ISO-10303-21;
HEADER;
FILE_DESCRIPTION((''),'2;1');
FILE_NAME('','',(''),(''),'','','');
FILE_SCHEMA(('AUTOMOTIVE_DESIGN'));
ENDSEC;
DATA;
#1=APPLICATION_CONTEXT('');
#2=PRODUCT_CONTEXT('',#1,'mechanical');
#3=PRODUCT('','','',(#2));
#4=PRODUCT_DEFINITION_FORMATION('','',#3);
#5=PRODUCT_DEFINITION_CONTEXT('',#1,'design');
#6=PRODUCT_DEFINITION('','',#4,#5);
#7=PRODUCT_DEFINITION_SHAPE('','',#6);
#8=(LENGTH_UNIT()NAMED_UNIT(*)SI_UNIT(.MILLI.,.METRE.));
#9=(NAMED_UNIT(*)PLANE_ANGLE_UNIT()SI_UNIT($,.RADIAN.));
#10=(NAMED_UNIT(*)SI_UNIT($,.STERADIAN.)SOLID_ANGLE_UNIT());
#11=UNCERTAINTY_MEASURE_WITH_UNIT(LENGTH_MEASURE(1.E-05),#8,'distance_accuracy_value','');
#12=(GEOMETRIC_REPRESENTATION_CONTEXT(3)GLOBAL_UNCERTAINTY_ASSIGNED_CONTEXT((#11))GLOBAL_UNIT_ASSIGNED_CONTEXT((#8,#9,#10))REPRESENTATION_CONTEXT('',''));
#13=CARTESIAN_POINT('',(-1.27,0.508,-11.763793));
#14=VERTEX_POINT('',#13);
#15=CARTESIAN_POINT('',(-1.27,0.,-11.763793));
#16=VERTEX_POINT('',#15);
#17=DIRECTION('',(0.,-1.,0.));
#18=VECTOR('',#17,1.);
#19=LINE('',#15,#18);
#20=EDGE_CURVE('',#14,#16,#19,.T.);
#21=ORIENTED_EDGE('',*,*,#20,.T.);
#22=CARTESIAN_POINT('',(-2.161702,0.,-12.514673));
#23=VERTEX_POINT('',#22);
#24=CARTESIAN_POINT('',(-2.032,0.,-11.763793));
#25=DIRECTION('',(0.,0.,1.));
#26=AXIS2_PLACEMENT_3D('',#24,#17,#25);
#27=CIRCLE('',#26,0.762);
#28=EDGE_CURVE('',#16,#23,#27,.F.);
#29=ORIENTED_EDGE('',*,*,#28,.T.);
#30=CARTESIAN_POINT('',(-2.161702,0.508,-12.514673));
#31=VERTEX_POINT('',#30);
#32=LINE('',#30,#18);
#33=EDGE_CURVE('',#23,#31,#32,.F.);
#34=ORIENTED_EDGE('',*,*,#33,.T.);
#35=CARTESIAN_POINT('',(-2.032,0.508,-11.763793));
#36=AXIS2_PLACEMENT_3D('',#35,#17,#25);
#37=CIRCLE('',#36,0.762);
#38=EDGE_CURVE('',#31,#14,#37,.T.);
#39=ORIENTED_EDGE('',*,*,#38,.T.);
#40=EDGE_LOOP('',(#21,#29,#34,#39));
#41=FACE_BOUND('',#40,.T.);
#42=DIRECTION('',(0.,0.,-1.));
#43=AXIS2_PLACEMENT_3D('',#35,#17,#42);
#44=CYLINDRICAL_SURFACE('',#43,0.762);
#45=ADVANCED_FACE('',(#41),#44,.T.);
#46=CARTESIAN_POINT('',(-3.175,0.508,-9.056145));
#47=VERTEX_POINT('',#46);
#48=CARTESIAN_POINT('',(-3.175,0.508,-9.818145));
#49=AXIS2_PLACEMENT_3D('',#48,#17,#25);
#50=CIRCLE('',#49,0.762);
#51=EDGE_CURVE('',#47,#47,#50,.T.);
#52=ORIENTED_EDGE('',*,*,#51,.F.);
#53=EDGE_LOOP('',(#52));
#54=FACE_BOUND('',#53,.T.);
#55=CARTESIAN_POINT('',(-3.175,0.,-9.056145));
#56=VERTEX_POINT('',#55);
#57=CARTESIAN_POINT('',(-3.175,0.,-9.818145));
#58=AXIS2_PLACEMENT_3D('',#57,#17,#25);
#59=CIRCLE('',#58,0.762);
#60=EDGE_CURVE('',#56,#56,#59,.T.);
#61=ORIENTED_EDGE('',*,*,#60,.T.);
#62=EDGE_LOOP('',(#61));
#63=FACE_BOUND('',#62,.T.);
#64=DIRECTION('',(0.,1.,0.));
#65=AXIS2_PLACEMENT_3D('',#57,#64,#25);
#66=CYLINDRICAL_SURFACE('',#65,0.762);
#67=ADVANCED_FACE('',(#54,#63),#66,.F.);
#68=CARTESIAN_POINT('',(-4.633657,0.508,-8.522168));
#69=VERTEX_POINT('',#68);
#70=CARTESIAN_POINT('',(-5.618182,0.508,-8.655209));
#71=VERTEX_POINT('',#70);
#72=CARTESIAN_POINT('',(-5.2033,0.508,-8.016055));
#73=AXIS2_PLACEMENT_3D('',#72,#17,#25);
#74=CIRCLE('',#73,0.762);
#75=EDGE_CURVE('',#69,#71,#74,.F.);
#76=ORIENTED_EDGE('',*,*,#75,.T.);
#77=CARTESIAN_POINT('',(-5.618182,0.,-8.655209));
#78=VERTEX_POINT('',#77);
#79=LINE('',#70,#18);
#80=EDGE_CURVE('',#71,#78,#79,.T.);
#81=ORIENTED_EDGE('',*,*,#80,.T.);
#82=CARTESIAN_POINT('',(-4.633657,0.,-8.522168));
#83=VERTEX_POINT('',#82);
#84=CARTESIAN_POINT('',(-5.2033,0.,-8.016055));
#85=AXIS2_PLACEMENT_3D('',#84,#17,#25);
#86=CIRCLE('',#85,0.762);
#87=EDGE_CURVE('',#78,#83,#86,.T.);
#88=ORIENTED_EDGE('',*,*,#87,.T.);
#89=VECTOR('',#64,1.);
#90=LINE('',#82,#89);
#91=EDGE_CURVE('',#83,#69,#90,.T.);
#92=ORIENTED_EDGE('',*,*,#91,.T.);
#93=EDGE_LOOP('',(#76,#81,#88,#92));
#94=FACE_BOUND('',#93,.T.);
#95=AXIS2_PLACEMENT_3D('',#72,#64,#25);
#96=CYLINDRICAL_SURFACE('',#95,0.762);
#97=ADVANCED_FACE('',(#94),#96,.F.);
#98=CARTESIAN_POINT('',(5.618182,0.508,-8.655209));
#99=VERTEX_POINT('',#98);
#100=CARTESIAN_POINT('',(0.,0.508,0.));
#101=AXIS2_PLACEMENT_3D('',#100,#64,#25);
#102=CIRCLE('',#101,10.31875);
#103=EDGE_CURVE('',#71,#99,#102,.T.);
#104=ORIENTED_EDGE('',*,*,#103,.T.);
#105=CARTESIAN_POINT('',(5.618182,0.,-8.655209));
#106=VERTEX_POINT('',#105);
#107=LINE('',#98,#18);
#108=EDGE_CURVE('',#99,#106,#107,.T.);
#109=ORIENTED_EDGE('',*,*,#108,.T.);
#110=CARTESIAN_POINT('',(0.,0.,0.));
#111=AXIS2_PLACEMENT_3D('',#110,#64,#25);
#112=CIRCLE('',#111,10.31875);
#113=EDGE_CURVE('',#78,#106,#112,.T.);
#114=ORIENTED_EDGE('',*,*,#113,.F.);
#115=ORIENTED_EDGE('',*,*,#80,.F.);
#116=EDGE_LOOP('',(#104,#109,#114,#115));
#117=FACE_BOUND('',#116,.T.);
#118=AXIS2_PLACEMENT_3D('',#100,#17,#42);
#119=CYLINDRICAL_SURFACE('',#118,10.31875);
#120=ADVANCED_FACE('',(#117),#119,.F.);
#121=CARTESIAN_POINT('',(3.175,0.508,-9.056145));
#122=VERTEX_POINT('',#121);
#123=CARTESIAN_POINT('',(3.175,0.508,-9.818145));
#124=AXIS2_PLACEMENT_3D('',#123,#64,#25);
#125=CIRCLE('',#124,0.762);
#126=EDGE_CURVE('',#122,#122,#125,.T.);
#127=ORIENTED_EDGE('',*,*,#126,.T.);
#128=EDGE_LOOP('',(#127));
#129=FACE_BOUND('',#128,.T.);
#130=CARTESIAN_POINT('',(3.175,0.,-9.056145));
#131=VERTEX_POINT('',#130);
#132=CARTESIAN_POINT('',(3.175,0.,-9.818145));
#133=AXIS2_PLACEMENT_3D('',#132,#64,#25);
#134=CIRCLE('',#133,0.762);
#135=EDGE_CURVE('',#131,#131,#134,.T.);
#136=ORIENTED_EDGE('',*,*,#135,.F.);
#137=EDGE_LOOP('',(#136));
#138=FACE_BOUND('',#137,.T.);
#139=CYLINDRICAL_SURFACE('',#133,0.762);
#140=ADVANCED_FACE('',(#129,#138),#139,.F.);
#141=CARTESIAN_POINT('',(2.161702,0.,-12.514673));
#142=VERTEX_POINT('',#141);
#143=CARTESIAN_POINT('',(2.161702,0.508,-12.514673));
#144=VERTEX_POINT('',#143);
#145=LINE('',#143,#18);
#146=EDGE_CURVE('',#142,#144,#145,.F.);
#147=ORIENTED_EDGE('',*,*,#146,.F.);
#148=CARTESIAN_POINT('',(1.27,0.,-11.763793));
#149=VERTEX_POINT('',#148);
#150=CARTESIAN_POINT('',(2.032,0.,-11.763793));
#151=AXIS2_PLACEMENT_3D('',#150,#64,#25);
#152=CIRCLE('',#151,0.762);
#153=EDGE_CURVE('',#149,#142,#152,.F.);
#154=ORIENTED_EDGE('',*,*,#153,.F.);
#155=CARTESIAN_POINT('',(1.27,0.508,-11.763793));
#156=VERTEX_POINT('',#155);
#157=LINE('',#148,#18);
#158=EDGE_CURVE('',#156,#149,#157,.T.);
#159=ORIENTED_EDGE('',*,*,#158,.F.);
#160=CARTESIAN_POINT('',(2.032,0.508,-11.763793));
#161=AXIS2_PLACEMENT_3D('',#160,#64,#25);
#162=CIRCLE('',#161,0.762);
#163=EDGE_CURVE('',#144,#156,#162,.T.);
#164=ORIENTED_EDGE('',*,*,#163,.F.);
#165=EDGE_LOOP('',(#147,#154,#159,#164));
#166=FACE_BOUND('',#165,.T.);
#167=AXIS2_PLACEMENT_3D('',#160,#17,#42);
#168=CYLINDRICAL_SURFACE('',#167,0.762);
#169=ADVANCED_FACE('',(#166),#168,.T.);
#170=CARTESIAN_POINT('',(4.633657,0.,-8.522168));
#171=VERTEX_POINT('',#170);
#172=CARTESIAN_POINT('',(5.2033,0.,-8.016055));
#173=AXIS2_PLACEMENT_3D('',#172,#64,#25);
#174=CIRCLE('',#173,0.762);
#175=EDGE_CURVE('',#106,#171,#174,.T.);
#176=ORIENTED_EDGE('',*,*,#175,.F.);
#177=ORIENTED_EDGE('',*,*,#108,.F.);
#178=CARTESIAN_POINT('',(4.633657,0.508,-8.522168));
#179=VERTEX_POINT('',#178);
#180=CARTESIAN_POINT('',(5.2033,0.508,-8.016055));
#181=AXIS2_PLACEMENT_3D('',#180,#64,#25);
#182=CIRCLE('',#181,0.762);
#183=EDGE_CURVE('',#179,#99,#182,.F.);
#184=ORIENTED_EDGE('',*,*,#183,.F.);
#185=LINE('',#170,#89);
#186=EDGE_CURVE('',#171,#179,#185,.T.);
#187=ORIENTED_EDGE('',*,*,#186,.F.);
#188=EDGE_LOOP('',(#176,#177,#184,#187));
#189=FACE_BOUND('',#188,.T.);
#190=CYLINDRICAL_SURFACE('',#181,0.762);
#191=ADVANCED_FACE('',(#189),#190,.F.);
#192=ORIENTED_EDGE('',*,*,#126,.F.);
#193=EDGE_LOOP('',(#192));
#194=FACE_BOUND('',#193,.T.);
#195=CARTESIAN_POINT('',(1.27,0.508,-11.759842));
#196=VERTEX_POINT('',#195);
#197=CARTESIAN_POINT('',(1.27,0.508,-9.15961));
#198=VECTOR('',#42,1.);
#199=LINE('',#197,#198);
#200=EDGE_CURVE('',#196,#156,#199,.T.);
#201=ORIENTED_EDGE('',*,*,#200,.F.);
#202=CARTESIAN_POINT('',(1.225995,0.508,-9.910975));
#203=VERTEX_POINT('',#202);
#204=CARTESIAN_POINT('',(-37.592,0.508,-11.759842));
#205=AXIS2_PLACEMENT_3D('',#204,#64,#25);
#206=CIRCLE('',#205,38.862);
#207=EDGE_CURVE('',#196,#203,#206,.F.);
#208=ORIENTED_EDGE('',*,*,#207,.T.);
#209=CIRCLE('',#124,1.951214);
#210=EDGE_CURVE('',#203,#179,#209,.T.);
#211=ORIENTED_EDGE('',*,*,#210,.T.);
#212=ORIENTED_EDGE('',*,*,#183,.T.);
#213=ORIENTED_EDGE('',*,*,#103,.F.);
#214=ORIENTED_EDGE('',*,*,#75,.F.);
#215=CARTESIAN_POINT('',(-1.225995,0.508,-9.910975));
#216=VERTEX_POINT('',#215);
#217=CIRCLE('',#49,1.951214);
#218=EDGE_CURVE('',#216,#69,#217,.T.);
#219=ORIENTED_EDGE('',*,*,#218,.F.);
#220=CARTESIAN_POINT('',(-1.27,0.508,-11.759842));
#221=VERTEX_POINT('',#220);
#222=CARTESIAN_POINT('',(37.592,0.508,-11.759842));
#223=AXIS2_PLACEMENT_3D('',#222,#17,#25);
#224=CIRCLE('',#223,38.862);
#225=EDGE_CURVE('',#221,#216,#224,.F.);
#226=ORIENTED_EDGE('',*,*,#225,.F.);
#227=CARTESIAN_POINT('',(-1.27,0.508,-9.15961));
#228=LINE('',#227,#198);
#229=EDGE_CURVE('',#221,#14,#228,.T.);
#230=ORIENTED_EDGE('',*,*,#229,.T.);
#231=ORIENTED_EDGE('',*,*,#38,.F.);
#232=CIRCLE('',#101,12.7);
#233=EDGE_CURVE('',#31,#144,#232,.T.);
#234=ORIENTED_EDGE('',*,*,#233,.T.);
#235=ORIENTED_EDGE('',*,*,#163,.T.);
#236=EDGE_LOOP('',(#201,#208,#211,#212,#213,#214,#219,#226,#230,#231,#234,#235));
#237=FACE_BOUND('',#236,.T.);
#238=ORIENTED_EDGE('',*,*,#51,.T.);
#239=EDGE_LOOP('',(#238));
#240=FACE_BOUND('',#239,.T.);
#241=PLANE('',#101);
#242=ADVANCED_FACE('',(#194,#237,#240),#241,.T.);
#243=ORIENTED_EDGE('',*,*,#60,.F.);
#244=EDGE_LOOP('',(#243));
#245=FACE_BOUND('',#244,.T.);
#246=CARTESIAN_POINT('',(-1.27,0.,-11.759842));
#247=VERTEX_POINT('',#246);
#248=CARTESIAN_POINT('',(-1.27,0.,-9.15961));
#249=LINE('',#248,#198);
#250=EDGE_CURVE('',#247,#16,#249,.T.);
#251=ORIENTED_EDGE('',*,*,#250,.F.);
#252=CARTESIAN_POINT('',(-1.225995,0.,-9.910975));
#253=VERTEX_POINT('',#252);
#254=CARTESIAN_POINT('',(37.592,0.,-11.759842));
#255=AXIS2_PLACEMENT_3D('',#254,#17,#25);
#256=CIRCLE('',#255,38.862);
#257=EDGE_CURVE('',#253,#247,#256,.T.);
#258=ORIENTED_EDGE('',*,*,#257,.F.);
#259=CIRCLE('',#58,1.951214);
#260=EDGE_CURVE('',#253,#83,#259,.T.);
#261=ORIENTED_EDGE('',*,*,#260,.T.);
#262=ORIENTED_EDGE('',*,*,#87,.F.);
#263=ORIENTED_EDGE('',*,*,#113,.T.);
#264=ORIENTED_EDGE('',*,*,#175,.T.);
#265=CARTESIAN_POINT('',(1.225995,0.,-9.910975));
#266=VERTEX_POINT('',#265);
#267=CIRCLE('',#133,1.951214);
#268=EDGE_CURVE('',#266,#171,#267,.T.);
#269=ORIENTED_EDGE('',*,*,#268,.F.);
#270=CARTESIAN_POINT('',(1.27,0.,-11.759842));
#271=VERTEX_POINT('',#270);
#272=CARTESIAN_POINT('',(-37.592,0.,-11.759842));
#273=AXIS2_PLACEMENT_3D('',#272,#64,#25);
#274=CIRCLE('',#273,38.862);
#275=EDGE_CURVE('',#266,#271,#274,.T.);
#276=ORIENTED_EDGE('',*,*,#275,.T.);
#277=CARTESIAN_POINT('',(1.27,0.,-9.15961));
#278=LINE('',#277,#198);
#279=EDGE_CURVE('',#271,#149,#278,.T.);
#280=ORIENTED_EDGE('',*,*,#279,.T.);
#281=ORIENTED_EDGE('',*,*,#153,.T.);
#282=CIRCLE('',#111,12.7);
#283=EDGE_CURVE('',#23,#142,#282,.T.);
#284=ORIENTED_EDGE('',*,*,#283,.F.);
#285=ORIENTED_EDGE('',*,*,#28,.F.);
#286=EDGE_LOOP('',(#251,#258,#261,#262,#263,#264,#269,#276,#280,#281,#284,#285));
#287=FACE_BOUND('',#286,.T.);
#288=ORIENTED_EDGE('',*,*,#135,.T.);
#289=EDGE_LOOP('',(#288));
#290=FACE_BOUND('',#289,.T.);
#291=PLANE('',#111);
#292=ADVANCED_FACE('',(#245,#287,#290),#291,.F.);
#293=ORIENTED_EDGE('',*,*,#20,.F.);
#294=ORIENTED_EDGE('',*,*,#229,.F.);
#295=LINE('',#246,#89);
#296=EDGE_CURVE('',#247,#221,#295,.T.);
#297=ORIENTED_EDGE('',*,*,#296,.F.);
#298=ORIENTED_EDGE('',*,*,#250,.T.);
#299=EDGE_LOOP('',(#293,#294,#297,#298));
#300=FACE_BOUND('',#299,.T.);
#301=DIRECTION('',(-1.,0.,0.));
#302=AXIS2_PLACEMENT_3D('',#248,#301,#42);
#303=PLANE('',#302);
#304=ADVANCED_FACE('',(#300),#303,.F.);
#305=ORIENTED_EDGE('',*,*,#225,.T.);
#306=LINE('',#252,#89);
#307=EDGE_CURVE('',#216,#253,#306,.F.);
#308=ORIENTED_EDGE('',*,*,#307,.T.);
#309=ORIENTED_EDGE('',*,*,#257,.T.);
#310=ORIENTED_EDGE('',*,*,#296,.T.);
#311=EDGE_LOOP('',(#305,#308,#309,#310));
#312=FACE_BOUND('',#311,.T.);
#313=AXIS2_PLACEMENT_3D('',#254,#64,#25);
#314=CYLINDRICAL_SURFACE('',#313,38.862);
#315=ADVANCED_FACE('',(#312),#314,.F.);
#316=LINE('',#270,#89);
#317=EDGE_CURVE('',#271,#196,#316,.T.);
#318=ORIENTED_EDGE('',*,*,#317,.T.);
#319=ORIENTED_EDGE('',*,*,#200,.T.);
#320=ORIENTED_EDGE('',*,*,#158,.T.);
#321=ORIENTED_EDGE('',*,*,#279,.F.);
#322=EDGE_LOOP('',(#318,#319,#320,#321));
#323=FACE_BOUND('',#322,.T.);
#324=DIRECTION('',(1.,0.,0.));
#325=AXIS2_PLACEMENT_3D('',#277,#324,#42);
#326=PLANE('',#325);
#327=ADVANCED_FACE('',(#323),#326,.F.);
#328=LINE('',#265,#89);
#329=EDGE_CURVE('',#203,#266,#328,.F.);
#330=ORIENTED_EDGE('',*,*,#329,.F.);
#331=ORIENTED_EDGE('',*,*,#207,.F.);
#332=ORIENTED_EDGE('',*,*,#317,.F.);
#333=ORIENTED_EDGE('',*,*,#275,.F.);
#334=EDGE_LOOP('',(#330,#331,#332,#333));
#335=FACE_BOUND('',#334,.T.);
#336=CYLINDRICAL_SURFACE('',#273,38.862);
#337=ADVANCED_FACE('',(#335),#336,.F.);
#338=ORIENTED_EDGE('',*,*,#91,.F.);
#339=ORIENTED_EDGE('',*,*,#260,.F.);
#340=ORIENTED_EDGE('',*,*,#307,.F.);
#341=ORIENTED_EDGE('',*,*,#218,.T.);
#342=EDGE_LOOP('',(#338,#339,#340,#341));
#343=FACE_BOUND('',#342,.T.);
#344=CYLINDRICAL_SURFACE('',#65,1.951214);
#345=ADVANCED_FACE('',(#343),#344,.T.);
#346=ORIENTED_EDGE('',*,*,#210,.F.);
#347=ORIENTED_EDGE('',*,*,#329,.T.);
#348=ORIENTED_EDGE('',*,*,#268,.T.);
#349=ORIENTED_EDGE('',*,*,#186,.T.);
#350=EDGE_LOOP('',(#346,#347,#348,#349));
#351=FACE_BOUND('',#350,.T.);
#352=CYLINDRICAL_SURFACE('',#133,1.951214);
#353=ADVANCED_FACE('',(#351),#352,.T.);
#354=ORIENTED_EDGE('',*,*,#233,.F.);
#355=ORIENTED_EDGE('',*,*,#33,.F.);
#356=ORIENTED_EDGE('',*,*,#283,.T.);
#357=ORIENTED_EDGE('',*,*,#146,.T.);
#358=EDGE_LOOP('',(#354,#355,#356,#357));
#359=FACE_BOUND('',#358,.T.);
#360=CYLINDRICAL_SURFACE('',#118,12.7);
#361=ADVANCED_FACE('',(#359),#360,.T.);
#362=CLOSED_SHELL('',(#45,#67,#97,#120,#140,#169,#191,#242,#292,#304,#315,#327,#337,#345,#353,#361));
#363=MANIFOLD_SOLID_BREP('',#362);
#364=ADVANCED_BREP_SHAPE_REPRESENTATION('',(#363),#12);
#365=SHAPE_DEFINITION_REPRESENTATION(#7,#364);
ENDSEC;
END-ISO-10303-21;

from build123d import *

# Parameters (mm, degrees)
SKETCH1_R           = 12.7
SKETCH1_R_2         = 10.31875
BOSS_EXTRUDE1_DEPTH = 0.508
SKETCH2_W           = 2.54
SKETCH2_H           = 4.365272308
CUT_EXTRUDE1_DEPTH  = 0.508
FILLET1_R           = 0.762
BOSS_EXTRUDE2_START = -0.508
BOSS_EXTRUDE2_DEPTH = 0.508
SKETCH4_R           = 0.762
CUT_EXTRUDE2_DEPTH  = 0.508
CUT_EXTRUDE4_DEPTH  = 12.7
FILLET2_R           = 0.762
FILLET3_R           = 38.862


with BuildPart() as part:
    # Sketch1 → Boss-Extrude1 (new body)
    with BuildSketch(Plane(origin=(0, 0, 0), x_dir=(1, 0, 0), z_dir=(0, 1, 0))):
        with Locations(Location((0, 0, 0), (0, 0, 270))):
            Circle(SKETCH1_R)
        with Locations(Location((0, 0, 0), (0, 0, 270))):
            Circle(SKETCH1_R_2, mode=Mode.SUBTRACT)
    extrude(amount=BOSS_EXTRUDE1_DEPTH)

    # Sketch2 → Cut-Extrude1 (cut)
    with BuildSketch(Plane(origin=(0, 0.508, 0), x_dir=(1, 0, 0), z_dir=(0, 1, 0))):
        with Locations((0, 11.342245997)):
            Rectangle(SKETCH2_W, SKETCH2_H)
    extrude(amount=-CUT_EXTRUDE1_DEPTH, mode=Mode.SUBTRACT)

    # Fillet1
    fillet1_edges = [part.edges().sort_by_distance(p)[0] for p in [
        (-1.27, 0.254, -12.636340451),
        (1.27, 0.254, -12.636340451),
    ]]
    fillet(fillet1_edges, radius=FILLET1_R)

    # Sketch3 → Boss-Extrude2 (add)
    with BuildSketch(Plane(origin=(0, 0.508, 0), x_dir=(1, 0, 0), z_dir=(0, 1, 0)).offset(BOSS_EXTRUDE2_START)):
        with BuildLine():
            ThreePointArc((1.27, 10.240297924), (2.574626321, 7.9615922), (4.966472896, 9.044929438))
            ThreePointArc((4.966472896, 9.044929438), (3.175, 9.818145271), (1.27, 10.240297924))
        make_face()
    extrude(amount=BOSS_EXTRUDE2_DEPTH)

    # Sketch4 → Cut-Extrude2 (cut)
    with BuildSketch(Plane(origin=(0, 0.508, 0), x_dir=(-1, 0, 0), z_dir=(0, 1, 0))):
        with Locations(Location((-3.175, -9.818145271, 0), (0, 0, 90))):
            Circle(SKETCH4_R)
    extrude(amount=-CUT_EXTRUDE2_DEPTH, mode=Mode.SUBTRACT)

    # Sketch5 → Cut-Extrude4 (cut, symmetric)
    with BuildSketch(Plane(origin=(0, 0, 0), x_dir=(1, 0, 0), z_dir=(0, 1, 0))):
        Polygon((0, 13.122692647), (0, -13.667441161), (-16.637303015, -10.48078624), (-17.785980951, 10.084254234), (-7.744312539, 13.715558678), align=None)
    extrude(amount=CUT_EXTRUDE4_DEPTH, both=True, mode=Mode.SUBTRACT)

    # Fillet2
    fillet2_edges = [part.edges().sort_by_distance(p)[0] for p in [
        (4.966472896, 0.254, -9.044929438),
    ]]
    fillet(fillet2_edges, radius=FILLET2_R)

    # Fillet3
    fillet3_edges = [part.edges().sort_by_distance(p)[0] for p in [
        (1.27, 0.254, -10.240297924),
    ]]
    fillet(fillet3_edges, radius=FILLET3_R)

    # Mirror1: part across plane


with BuildPart() as part_1:
    add(part.part)
    add(part.part.mirror(Plane(origin=(0, 0, 0), x_dir=(0, 0, 1), z_dir=(1, 0, 0))))


solid = part_1.part
